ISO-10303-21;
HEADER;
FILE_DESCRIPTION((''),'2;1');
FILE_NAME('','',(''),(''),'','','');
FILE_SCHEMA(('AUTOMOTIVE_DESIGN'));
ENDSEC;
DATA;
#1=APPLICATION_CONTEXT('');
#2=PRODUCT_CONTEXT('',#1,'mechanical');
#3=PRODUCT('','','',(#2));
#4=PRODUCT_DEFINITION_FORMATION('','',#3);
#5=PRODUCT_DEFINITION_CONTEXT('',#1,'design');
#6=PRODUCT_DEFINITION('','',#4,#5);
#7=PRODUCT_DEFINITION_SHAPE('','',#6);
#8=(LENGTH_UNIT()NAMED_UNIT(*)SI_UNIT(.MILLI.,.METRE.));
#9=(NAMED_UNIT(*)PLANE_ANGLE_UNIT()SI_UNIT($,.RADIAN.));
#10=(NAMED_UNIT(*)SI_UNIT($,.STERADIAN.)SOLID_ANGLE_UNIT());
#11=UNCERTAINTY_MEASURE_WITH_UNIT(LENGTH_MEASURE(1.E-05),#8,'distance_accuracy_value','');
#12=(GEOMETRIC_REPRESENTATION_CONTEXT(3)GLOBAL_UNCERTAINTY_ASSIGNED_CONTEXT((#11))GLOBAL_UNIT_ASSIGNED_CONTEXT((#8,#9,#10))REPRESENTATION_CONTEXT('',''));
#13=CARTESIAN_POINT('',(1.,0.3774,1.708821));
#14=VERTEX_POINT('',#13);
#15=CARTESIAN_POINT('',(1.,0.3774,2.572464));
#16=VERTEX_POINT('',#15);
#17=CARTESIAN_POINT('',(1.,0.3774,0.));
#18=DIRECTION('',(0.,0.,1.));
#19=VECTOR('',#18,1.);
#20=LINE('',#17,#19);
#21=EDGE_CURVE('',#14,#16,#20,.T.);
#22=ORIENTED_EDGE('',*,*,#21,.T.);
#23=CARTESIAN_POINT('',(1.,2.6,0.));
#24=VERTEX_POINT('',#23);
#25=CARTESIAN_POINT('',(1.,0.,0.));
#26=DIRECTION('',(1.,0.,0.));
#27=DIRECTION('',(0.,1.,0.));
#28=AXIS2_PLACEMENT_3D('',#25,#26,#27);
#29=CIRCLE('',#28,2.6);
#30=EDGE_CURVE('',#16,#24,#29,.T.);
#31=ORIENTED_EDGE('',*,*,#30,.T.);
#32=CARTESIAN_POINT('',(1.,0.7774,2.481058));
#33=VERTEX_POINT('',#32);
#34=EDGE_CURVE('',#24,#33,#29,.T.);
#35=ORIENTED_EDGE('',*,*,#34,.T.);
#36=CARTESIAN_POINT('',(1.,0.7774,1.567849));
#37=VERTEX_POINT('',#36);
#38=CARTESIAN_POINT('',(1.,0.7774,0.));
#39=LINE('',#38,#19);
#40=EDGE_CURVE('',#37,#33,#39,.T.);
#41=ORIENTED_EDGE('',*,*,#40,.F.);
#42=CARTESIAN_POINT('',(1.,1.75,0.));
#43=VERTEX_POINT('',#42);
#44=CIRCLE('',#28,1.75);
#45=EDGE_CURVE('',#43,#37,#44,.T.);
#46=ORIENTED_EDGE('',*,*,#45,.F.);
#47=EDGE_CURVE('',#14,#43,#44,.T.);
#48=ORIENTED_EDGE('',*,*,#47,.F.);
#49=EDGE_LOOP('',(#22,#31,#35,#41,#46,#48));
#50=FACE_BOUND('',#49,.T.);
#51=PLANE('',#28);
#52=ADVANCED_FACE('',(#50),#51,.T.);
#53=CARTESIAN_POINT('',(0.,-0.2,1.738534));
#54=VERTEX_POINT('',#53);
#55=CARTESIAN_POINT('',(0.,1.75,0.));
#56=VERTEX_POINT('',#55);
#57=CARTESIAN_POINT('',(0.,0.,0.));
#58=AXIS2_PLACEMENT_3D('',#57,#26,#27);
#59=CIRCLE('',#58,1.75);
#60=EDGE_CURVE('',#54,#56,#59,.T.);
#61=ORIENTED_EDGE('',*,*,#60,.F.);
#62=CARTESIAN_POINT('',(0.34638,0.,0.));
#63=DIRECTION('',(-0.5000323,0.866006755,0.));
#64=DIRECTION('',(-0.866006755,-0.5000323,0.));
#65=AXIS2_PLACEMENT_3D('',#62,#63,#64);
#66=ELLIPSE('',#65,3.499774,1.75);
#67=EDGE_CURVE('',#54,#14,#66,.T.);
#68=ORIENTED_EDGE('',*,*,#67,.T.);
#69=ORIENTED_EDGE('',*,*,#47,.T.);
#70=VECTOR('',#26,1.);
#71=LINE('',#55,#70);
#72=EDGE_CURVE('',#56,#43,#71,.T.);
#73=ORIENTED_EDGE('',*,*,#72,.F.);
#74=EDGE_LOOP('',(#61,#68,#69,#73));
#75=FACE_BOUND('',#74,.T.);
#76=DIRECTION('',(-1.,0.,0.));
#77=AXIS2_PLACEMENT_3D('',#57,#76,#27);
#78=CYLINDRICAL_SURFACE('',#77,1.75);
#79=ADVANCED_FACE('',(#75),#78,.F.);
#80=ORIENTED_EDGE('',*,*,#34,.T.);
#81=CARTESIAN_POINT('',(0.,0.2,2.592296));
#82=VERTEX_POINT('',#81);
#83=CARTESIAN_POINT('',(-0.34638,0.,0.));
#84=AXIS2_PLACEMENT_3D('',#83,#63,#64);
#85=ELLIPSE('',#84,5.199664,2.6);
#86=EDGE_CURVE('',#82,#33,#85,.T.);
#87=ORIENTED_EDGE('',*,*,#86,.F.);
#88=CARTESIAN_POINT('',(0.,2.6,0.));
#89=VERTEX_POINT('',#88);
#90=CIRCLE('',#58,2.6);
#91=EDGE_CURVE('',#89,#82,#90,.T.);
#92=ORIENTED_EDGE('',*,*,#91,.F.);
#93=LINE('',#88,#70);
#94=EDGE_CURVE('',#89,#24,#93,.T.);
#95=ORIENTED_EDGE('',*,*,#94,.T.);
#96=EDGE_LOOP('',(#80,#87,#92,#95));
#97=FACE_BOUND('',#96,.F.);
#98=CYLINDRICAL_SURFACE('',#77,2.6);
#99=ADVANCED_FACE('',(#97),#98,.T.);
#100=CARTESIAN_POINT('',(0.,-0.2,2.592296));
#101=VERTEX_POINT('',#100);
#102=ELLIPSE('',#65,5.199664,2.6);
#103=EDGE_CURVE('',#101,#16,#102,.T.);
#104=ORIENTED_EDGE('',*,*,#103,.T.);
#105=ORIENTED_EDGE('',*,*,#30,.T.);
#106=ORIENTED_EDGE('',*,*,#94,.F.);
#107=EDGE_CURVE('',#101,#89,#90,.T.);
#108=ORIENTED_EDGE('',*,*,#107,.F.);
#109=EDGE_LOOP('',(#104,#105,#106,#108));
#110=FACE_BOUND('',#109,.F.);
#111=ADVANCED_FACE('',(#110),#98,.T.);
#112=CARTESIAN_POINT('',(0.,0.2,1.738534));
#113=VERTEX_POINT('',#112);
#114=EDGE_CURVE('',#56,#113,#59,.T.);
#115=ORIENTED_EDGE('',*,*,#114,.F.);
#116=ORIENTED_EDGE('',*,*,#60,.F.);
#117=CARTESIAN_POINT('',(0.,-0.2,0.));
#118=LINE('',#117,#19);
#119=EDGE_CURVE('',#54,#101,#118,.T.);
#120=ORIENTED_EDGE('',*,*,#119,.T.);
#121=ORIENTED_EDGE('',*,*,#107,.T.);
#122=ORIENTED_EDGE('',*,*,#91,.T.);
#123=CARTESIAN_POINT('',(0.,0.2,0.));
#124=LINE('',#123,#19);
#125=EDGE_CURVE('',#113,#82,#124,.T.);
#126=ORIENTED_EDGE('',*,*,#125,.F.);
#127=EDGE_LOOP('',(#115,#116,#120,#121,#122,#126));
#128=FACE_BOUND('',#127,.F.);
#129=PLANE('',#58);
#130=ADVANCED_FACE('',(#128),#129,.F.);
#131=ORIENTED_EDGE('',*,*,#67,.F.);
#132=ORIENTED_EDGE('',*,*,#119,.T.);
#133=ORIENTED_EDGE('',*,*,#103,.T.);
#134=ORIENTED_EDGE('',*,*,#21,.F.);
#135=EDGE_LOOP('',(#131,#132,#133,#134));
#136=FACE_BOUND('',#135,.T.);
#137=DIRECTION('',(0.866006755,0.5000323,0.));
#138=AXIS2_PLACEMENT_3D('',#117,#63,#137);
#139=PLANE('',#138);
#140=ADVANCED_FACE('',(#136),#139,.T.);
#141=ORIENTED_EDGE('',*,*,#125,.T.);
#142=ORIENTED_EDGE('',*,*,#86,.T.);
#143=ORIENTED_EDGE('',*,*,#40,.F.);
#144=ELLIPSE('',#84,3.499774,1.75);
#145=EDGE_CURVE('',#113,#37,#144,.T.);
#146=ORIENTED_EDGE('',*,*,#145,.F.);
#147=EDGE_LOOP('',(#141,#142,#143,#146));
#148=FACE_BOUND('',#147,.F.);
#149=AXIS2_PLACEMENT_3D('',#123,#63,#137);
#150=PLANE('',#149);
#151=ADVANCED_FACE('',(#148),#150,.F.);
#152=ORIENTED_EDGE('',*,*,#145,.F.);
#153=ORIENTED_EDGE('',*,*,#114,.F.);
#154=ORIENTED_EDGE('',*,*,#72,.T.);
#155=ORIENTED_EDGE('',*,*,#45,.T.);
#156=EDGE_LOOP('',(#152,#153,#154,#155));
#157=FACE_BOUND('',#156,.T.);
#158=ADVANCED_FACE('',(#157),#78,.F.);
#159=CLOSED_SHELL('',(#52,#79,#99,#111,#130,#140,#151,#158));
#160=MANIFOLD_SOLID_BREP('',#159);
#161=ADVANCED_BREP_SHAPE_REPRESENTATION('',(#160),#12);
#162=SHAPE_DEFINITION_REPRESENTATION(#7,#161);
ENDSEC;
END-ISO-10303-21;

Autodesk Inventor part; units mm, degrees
ref_plane "YZ Plane" through (0, 0, 0) normal (1, 0, 0) x (0, 1, 0)
ref_plane "XZ Plane" through (0, 0, 0) normal (0, 1, 0) x (-1, 0, 0)
sketch "Sketch1" plane through (0, 0, 0) normal (1, 0, 0) x (0, 1, 0)
  circle A0 centre (0, 0) radius 2.6
  circle A1 centre (0, 0) radius 1.75
  dimension "d0" = 3.5
  dimension "d1" = 5.2
extrude "Body" add sketch "Sketch1" along normal blind 1
sketch "Sketch2" plane through (0, 0, 0) normal (0, 0, 1) x (1, 0, 0)
  line L0 (0, -1.75) -> (0, 1.75) projected
  line L1 (1, 2.6) -> (1, -2.6) projected
  line L2 (-1.2, 0) -> (7.2, 0) projected
  line L3 (0, -0.2) -> (1, 0.3774)
  line L4 (0, 0.2) -> (1, 0.7774)
  dimension "d4" = 0.2
  dimension "d5" = 0.2
  dimension "d6" = 60
extrude "Cut" cut sketch "Sketch2" along normal up to next contours L0 L2 L3 | L0 L4 L1 L3 L2
ref_plane "Work Plane1" through (0, 0, 0) normal (0, -1, 0) x (1, 0, 0)
equation "\"d0\" = SD1"
equation "\"d1\" = SD2"
equation "\"d2\" = SD"
equation "\"d4\" = 0.2 * SD"
equation "\"d5\" = 0.2 * SD"
equation "\"d6\" = FAWI"
equation "\"d7\" = SD"
equation "\"SD1\" = 3.5"
equation "\"SD2\" = 5.2"
equation "\"SD\" = 1"
equation "\"FAWI\" = 60deg"
equation "\"NND\" = 3"
properties part number "NF E 25-515 - W3" material "鋼、軟鋼"
